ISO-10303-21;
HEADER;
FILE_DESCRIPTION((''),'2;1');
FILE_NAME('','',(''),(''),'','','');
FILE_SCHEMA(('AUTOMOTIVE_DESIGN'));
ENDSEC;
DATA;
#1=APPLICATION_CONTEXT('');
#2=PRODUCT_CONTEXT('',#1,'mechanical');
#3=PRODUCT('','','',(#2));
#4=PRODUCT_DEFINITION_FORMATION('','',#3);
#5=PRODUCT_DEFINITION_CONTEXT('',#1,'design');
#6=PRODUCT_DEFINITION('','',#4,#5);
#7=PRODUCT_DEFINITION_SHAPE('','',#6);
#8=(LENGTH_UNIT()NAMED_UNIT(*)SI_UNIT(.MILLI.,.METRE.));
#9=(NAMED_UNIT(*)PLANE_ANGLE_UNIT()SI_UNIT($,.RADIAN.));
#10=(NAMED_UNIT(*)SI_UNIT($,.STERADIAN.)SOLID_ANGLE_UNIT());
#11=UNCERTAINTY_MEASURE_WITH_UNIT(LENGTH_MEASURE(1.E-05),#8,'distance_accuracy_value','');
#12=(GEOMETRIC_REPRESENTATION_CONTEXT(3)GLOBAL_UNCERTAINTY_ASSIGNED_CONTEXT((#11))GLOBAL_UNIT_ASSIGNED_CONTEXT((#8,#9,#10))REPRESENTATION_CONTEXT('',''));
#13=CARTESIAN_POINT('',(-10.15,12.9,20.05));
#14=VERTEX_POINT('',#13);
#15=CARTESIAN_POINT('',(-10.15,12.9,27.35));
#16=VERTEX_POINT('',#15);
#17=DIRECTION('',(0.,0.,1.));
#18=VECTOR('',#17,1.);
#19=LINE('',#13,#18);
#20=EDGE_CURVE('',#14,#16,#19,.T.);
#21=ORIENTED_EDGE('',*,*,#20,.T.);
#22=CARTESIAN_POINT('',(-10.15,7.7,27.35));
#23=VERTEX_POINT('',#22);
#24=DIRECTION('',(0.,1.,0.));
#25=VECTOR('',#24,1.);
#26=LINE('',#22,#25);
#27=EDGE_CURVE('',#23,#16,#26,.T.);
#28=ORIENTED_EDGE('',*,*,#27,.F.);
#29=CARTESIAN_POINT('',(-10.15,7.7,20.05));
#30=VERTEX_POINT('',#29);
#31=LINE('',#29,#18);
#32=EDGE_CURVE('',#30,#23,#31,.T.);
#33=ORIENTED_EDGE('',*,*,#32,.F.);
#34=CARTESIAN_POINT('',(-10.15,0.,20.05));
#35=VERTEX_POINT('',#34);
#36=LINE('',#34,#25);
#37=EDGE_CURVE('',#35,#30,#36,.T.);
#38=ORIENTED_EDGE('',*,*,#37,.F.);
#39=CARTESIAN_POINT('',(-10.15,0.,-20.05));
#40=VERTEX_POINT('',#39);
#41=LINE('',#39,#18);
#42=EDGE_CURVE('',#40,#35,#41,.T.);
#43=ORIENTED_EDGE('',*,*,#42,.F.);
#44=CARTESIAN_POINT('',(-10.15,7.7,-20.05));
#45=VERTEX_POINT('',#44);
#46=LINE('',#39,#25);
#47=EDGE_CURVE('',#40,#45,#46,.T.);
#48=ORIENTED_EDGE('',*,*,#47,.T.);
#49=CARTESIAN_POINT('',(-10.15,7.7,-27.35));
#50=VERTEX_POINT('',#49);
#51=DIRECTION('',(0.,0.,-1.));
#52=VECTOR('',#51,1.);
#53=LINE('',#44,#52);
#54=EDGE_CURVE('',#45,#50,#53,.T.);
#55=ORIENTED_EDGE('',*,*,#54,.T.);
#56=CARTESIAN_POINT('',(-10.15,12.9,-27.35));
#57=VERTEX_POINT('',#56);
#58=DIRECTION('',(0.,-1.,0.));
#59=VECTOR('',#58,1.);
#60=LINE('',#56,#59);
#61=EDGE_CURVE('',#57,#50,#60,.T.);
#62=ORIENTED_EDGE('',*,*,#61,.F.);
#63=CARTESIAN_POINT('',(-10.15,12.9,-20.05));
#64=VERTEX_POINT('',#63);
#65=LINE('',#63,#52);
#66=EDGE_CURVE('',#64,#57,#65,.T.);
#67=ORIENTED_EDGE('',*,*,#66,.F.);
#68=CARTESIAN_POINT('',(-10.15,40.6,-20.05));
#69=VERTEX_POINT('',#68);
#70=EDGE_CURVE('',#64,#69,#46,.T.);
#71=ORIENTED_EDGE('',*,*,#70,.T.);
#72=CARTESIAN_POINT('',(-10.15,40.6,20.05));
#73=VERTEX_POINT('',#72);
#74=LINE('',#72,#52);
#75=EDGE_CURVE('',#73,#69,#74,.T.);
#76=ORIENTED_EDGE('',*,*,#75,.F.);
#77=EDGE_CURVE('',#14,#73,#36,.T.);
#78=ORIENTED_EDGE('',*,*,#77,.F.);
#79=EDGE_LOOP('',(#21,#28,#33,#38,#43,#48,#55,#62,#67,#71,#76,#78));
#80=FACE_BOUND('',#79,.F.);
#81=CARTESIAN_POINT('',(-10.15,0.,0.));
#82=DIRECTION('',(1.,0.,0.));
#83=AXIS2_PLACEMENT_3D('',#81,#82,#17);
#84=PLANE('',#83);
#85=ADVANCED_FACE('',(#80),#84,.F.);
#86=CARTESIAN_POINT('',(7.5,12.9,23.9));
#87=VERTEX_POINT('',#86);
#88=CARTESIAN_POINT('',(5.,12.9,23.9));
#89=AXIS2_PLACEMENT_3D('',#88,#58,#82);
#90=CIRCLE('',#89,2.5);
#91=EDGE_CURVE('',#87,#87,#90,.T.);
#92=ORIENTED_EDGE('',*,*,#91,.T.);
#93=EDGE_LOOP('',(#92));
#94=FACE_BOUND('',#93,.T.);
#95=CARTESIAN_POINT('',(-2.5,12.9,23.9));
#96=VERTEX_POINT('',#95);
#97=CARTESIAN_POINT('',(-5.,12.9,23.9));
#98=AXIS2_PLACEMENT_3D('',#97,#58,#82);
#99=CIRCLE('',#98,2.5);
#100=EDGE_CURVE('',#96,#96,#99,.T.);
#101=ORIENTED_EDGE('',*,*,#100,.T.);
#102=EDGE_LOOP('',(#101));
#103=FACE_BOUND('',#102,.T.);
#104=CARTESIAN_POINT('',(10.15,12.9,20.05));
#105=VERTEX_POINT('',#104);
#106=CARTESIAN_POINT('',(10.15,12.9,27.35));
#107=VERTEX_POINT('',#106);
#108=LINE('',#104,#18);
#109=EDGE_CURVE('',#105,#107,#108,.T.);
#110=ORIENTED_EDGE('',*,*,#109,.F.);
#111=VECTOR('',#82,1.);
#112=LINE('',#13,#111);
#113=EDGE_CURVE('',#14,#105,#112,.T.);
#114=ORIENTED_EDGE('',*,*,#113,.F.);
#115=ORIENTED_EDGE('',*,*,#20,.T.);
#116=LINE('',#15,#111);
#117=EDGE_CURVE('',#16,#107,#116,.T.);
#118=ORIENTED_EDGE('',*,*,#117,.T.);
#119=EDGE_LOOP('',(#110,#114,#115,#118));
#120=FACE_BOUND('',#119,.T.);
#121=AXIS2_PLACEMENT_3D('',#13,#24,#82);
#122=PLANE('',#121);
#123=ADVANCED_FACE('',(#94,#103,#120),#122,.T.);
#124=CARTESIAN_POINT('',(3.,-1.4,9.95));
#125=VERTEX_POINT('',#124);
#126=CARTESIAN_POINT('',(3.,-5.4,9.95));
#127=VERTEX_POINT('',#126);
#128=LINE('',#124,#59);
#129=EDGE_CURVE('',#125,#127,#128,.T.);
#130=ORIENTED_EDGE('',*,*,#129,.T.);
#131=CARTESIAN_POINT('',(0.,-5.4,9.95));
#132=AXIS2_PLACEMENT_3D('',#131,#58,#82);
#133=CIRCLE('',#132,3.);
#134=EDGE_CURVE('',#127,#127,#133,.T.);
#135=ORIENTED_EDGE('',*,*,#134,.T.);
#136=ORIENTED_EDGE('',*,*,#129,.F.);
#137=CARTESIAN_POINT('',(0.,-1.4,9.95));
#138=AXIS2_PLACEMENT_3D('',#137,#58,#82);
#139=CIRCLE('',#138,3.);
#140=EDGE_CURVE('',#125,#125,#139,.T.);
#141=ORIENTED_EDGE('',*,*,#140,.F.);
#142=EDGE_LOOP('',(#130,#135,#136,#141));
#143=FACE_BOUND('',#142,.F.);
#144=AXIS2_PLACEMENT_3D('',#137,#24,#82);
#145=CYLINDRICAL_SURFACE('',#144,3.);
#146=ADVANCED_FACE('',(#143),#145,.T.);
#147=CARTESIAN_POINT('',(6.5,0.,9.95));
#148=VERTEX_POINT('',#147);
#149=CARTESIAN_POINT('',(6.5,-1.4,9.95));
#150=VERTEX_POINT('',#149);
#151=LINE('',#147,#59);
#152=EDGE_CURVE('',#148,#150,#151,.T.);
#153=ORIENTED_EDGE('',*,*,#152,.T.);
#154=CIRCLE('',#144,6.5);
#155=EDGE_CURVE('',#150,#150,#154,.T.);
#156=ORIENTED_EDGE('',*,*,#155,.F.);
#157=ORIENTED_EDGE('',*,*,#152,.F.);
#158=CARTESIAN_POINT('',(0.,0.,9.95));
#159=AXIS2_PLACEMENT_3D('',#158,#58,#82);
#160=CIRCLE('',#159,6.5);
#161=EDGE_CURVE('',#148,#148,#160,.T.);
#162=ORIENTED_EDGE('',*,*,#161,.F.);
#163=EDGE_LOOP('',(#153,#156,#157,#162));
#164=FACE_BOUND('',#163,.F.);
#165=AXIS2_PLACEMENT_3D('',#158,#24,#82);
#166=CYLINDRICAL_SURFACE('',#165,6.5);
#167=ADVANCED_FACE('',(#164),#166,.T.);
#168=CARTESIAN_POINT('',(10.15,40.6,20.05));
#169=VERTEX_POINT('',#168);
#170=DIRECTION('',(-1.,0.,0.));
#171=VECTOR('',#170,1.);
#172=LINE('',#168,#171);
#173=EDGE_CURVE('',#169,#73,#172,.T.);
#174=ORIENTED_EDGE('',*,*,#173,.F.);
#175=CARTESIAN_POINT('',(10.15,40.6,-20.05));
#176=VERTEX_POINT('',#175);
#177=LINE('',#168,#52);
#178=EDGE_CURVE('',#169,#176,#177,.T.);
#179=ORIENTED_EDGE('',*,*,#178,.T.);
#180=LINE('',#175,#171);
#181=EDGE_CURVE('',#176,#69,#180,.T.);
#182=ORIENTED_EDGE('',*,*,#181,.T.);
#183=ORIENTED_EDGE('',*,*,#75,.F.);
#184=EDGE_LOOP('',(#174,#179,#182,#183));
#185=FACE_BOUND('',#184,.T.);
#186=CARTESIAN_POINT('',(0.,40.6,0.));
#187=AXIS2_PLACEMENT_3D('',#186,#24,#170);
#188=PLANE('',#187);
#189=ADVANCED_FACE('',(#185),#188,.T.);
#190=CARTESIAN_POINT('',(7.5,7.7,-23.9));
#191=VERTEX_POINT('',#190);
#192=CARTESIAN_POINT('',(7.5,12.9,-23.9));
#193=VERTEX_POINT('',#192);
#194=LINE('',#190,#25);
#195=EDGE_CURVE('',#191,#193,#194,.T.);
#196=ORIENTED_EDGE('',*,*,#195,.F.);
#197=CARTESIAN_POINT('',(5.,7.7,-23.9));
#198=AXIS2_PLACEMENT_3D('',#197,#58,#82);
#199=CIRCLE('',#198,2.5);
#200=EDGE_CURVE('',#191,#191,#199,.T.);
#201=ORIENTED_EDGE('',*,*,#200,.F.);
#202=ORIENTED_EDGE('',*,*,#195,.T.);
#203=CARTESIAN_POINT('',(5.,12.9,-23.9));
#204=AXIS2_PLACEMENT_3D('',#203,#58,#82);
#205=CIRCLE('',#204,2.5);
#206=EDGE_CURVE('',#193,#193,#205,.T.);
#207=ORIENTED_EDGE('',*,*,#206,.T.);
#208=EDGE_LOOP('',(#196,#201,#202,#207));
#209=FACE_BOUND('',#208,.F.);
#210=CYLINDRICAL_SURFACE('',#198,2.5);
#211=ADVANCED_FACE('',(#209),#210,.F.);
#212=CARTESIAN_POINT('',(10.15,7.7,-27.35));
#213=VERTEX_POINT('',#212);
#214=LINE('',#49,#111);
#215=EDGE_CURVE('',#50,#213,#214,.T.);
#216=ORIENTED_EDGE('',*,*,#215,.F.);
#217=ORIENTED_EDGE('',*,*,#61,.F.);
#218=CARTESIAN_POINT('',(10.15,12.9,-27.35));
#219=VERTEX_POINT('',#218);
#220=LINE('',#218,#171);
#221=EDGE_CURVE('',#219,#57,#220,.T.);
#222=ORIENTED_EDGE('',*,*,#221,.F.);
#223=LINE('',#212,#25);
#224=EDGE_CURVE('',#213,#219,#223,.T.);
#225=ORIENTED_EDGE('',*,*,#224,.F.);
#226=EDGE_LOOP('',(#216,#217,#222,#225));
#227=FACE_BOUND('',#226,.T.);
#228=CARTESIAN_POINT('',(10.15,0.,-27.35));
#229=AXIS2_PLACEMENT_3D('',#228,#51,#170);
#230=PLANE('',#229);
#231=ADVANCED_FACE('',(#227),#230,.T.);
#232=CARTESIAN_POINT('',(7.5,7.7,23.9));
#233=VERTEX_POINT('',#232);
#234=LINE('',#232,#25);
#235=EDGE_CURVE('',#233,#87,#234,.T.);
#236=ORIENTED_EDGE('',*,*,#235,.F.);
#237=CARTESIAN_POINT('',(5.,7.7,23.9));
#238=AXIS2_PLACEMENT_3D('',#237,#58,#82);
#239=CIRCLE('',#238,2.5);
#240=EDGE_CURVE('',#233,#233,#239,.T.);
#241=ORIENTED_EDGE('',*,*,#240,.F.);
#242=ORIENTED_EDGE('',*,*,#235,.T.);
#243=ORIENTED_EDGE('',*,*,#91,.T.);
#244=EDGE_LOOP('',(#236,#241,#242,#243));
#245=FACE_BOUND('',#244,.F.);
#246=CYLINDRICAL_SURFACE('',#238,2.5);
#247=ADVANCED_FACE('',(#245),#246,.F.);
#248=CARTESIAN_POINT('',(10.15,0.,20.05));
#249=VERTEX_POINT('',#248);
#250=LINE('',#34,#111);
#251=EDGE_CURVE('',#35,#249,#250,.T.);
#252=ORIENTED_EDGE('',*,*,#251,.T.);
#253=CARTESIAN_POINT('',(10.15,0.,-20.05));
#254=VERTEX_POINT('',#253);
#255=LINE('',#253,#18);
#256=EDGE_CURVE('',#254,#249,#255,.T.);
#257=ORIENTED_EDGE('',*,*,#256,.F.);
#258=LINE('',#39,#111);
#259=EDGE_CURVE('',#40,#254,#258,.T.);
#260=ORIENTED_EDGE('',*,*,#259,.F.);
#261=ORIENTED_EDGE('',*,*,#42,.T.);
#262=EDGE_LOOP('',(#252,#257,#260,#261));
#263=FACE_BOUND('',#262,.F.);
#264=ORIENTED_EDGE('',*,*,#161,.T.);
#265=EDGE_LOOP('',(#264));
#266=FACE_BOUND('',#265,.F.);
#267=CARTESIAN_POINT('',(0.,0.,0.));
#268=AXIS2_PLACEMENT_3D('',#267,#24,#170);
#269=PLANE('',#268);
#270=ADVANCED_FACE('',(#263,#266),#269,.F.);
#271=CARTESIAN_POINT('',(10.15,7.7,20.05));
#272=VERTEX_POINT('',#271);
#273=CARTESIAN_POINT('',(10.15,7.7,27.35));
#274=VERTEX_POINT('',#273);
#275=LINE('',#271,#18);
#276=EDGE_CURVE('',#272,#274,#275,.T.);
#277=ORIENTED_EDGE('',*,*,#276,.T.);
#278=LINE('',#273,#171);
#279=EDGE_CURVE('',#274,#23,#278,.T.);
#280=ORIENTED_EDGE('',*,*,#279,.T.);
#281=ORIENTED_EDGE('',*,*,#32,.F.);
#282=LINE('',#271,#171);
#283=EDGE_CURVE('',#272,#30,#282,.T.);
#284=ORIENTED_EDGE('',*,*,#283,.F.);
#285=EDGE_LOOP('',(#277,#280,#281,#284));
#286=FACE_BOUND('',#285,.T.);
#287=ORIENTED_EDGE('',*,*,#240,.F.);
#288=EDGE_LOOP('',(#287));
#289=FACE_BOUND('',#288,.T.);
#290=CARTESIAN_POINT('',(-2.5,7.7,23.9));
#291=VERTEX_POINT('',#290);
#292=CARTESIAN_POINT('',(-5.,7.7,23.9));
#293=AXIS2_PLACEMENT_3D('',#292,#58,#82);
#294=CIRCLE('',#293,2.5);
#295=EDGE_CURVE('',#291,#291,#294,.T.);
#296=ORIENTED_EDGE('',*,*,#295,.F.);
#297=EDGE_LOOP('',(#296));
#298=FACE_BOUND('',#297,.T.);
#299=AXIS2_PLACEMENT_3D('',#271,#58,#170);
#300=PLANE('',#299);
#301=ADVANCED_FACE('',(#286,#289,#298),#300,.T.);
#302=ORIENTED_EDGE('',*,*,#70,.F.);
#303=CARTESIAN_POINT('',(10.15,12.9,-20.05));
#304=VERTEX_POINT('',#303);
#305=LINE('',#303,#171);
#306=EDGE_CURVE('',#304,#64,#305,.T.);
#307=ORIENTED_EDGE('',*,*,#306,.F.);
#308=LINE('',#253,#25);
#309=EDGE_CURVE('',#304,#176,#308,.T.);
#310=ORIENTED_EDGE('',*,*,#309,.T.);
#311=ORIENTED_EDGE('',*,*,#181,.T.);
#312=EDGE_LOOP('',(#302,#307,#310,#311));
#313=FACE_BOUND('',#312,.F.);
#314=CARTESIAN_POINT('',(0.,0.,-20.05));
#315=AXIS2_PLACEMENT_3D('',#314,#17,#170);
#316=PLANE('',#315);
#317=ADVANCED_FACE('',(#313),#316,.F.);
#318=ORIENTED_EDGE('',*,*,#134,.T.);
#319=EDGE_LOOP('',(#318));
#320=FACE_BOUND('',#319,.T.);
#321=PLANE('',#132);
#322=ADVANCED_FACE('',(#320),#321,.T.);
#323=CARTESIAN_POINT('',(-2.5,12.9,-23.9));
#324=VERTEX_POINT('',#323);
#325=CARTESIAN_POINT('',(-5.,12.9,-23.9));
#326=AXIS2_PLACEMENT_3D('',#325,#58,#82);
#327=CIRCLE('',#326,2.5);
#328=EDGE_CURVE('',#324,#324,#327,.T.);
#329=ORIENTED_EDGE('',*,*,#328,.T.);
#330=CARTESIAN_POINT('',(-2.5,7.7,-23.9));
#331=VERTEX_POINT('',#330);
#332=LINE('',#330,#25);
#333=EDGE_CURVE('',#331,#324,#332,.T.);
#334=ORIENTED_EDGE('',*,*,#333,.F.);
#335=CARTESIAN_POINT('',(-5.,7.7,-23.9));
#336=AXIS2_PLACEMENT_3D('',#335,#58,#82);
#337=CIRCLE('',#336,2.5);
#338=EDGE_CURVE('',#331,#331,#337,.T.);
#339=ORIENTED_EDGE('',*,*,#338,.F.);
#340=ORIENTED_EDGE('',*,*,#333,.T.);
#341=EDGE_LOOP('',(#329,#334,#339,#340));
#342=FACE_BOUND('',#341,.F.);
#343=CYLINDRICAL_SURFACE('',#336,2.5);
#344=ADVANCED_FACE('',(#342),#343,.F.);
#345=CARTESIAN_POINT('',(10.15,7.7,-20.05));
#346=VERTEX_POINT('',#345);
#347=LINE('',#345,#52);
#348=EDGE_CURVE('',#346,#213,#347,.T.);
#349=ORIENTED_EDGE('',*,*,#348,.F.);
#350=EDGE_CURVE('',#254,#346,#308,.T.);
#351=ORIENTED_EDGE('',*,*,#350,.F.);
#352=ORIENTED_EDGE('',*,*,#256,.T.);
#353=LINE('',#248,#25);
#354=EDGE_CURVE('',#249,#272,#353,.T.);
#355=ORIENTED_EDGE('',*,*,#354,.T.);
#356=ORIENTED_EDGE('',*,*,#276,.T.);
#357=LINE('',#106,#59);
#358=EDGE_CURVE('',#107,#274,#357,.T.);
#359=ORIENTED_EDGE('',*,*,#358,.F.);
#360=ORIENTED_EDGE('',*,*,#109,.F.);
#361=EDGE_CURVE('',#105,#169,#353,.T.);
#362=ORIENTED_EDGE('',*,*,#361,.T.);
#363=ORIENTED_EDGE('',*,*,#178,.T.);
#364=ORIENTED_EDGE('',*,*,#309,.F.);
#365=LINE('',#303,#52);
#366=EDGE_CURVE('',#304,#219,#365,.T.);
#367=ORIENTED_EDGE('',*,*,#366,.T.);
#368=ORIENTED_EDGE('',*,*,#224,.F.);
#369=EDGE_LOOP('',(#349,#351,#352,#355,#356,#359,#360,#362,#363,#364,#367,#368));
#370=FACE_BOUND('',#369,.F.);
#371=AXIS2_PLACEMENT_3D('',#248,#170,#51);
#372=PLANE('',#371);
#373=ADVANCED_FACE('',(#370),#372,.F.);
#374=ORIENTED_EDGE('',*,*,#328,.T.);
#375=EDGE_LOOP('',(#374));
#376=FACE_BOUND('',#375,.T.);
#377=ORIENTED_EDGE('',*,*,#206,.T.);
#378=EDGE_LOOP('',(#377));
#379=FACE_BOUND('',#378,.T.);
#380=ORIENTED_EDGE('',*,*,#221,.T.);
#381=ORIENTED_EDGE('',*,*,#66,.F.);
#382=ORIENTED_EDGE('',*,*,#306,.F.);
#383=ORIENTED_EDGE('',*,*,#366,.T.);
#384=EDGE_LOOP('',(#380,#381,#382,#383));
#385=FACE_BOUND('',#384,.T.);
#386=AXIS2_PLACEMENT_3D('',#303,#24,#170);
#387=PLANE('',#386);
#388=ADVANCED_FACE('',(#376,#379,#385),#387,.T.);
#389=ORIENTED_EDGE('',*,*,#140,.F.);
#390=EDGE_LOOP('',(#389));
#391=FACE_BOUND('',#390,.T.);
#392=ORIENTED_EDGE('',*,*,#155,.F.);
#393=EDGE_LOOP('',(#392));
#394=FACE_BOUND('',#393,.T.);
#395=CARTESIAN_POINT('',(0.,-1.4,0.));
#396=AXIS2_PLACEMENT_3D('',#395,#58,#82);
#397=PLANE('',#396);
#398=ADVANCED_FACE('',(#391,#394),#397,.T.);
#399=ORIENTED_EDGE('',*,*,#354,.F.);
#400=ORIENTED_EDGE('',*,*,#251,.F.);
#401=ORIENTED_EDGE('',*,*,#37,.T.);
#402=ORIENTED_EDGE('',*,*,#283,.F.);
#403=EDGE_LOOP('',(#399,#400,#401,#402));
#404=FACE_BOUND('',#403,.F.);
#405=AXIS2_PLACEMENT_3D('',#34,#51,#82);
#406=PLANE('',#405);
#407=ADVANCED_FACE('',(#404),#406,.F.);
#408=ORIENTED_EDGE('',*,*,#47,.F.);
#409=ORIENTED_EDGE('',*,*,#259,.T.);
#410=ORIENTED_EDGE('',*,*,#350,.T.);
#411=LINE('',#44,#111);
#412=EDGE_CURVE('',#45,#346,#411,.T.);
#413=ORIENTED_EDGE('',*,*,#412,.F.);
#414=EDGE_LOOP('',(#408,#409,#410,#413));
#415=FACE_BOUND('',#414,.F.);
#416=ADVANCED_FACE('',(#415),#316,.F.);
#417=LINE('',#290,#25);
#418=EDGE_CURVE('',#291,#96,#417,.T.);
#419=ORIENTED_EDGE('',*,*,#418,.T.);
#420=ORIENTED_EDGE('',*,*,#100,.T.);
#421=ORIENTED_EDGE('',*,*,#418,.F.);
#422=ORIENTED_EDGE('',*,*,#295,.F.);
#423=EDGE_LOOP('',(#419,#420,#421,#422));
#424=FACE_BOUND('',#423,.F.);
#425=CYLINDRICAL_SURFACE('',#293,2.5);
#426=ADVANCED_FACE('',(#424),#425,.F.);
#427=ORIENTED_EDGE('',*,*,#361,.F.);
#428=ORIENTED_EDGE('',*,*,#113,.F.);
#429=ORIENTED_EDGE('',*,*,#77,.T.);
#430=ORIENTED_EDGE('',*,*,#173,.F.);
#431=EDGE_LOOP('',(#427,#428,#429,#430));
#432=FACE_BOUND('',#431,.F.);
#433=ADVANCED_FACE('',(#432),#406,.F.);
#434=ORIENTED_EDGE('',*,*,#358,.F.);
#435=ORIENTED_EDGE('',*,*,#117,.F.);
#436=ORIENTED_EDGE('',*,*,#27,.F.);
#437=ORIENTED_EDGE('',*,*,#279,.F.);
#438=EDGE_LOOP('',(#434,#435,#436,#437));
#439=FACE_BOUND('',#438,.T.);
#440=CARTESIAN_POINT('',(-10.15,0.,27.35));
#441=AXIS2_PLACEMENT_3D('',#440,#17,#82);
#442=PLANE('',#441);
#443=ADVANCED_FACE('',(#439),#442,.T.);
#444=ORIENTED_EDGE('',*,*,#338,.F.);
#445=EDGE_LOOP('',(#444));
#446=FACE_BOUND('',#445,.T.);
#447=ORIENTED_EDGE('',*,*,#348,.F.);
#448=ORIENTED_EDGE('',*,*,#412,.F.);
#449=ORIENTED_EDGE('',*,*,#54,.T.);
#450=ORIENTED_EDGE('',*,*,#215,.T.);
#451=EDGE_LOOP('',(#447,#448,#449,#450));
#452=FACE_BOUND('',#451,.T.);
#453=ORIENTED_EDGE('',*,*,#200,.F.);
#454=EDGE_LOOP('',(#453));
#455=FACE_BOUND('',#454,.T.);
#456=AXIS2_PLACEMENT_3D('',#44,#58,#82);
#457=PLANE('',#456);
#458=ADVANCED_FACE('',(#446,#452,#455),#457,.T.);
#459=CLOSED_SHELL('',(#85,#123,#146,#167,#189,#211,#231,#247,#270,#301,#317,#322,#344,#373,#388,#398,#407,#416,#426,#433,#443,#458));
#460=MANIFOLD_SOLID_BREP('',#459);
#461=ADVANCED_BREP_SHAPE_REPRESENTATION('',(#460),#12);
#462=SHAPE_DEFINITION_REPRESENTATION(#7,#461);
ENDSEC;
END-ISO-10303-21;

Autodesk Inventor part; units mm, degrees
ref_plane "YZ Plane" through (0, 0, 0) normal (1, 0, 0) x (0, 1, 0)
ref_plane "XZ Plane" through (0, 0, 0) normal (0, 1, 0) x (-1, 0, 0)
ref_plane "XY Plane" through (0, 0, 0) normal (0, 0, 1) x (1, 0, 0)
sketch "Skizze1" plane through (0, 0, 0) normal (0, 1, 0) x (-1, 0, 0)
  line L0 (10.15, 20.05) -> (-10.15, 20.05)
  line L1 (-10.15, 20.05) -> (-10.15, -20.05)
  line L2 (-10.15, -20.05) -> (10.15, -20.05)
  line L3 (10.15, -20.05) -> (10.15, 20.05)
  line L4 (14.21, 0) -> (-14.21, 0) projected
  line L5 (0, -28.07) -> (0, 28.07) projected
  point P0 (0, 0)
  dimension "d0" = 40.1
  dimension "d1" = 20.3
extrude "Extrusion1" add sketch "Skizze1" along normal blind 40.6
sketch "Skizze2" plane through (0, 0, 0) normal (0, -1, 0) x (1, 0, 0)
  circle A0 centre (0, 9.95) radius 6.5
  line L0 (10.15, -20.05) -> (-10.15, -20.05) projected
  line L1 (0, 28.07) -> (0, -28.07) projected
  point P0 (0, 0)
  dimension "d4" = 13
  dimension "d5" = 30
  dimension "d6" = 0
extrude "Extrusion2" add sketch "Skizze2" along normal blind 1.4
sketch "Skizze3" plane through (0, -1.4, 9.95) normal (0, -1, 0) x (1, 0, 0)
  circle A0 centre (0, 0) radius 3
  point P0 (0, -9.95)
  dimension "d9" = 6
extrude "Extrusion3" add sketch "Skizze3" along normal blind 4
sketch "Skizze4" plane through (-10.15, 0, 20.05) normal (0, 0, 1) x (1, 0, 0)
  line L0 (20.3, 7.7) -> (0, 7.7)
  line L1 (0, 7.7) -> (0, 12.9)
  line L2 (0, 12.9) -> (20.3, 12.9)
  line L3 (20.3, 12.9) -> (20.3, 7.7)
  line L4 (0, 0) -> (20.3, 0) projected
  line L5 (20.3, 0) -> (20.3, 40.6) projected
  point P0 (10.15, 0)
  point P1 (20.3, 10.3)
  dimension "d12" = 0
  dimension "d13" = 7.7
  dimension "d14" = 5.2
extrude "Extrusion4" add sketch "Skizze4" along normal blind 7.3
sketch "Skizze5" plane through (10.15, 0, -20.05) normal (0, 0, -1) x (-1, 0, 0)
  line L0 (20.3, 7.7) -> (0, 7.7)
  line L1 (0, 7.7) -> (0, 12.9)
  line L2 (0, 12.9) -> (20.3, 12.9)
  line L3 (20.3, 12.9) -> (20.3, 7.7)
  line L4 (0, 0) -> (20.3, 0) projected
  line L5 (20.3, 0) -> (20.3, 40.6) projected
  point P0 (10.15, 0)
  dimension "d17" = 0
  dimension "d20" = 7.7
  dimension "d21" = 5.2
extrude "Extrusion5" add sketch "Skizze5" along normal blind 7.3
sketch "Skizze6" plane through (-10.15, 7.7, 20.05) normal (0, -1, 0) x (1, 0, 0)
  circle A0 centre (15.15, 3.85) radius 2.5
  circle A1 centre (5.15, 3.85) radius 2.5
  circle A2 centre (15.15, -43.95) radius 2.5
  circle A3 centre (5.15, -43.95) radius 2.5
  line L0 (10.15, -58.34) -> (10.15, 18.24) projected
  line L1 (0, 7.3) -> (20.3, 7.3) projected
  line L2 (0, 0) -> (20.3, 0) projected
  line L3 (20.3, -40.1) -> (0, -40.1) projected
  point P0 (10.15, -20.05)
  dimension "d22" = 5
  dimension "d23" = 10
  dimension "d29" = 47.8
  dimension "d30" = 3.45
extrude "Extrusion6" cut sketch "Skizze6" against normal blind 7.3
properties part number "stepper_new"
